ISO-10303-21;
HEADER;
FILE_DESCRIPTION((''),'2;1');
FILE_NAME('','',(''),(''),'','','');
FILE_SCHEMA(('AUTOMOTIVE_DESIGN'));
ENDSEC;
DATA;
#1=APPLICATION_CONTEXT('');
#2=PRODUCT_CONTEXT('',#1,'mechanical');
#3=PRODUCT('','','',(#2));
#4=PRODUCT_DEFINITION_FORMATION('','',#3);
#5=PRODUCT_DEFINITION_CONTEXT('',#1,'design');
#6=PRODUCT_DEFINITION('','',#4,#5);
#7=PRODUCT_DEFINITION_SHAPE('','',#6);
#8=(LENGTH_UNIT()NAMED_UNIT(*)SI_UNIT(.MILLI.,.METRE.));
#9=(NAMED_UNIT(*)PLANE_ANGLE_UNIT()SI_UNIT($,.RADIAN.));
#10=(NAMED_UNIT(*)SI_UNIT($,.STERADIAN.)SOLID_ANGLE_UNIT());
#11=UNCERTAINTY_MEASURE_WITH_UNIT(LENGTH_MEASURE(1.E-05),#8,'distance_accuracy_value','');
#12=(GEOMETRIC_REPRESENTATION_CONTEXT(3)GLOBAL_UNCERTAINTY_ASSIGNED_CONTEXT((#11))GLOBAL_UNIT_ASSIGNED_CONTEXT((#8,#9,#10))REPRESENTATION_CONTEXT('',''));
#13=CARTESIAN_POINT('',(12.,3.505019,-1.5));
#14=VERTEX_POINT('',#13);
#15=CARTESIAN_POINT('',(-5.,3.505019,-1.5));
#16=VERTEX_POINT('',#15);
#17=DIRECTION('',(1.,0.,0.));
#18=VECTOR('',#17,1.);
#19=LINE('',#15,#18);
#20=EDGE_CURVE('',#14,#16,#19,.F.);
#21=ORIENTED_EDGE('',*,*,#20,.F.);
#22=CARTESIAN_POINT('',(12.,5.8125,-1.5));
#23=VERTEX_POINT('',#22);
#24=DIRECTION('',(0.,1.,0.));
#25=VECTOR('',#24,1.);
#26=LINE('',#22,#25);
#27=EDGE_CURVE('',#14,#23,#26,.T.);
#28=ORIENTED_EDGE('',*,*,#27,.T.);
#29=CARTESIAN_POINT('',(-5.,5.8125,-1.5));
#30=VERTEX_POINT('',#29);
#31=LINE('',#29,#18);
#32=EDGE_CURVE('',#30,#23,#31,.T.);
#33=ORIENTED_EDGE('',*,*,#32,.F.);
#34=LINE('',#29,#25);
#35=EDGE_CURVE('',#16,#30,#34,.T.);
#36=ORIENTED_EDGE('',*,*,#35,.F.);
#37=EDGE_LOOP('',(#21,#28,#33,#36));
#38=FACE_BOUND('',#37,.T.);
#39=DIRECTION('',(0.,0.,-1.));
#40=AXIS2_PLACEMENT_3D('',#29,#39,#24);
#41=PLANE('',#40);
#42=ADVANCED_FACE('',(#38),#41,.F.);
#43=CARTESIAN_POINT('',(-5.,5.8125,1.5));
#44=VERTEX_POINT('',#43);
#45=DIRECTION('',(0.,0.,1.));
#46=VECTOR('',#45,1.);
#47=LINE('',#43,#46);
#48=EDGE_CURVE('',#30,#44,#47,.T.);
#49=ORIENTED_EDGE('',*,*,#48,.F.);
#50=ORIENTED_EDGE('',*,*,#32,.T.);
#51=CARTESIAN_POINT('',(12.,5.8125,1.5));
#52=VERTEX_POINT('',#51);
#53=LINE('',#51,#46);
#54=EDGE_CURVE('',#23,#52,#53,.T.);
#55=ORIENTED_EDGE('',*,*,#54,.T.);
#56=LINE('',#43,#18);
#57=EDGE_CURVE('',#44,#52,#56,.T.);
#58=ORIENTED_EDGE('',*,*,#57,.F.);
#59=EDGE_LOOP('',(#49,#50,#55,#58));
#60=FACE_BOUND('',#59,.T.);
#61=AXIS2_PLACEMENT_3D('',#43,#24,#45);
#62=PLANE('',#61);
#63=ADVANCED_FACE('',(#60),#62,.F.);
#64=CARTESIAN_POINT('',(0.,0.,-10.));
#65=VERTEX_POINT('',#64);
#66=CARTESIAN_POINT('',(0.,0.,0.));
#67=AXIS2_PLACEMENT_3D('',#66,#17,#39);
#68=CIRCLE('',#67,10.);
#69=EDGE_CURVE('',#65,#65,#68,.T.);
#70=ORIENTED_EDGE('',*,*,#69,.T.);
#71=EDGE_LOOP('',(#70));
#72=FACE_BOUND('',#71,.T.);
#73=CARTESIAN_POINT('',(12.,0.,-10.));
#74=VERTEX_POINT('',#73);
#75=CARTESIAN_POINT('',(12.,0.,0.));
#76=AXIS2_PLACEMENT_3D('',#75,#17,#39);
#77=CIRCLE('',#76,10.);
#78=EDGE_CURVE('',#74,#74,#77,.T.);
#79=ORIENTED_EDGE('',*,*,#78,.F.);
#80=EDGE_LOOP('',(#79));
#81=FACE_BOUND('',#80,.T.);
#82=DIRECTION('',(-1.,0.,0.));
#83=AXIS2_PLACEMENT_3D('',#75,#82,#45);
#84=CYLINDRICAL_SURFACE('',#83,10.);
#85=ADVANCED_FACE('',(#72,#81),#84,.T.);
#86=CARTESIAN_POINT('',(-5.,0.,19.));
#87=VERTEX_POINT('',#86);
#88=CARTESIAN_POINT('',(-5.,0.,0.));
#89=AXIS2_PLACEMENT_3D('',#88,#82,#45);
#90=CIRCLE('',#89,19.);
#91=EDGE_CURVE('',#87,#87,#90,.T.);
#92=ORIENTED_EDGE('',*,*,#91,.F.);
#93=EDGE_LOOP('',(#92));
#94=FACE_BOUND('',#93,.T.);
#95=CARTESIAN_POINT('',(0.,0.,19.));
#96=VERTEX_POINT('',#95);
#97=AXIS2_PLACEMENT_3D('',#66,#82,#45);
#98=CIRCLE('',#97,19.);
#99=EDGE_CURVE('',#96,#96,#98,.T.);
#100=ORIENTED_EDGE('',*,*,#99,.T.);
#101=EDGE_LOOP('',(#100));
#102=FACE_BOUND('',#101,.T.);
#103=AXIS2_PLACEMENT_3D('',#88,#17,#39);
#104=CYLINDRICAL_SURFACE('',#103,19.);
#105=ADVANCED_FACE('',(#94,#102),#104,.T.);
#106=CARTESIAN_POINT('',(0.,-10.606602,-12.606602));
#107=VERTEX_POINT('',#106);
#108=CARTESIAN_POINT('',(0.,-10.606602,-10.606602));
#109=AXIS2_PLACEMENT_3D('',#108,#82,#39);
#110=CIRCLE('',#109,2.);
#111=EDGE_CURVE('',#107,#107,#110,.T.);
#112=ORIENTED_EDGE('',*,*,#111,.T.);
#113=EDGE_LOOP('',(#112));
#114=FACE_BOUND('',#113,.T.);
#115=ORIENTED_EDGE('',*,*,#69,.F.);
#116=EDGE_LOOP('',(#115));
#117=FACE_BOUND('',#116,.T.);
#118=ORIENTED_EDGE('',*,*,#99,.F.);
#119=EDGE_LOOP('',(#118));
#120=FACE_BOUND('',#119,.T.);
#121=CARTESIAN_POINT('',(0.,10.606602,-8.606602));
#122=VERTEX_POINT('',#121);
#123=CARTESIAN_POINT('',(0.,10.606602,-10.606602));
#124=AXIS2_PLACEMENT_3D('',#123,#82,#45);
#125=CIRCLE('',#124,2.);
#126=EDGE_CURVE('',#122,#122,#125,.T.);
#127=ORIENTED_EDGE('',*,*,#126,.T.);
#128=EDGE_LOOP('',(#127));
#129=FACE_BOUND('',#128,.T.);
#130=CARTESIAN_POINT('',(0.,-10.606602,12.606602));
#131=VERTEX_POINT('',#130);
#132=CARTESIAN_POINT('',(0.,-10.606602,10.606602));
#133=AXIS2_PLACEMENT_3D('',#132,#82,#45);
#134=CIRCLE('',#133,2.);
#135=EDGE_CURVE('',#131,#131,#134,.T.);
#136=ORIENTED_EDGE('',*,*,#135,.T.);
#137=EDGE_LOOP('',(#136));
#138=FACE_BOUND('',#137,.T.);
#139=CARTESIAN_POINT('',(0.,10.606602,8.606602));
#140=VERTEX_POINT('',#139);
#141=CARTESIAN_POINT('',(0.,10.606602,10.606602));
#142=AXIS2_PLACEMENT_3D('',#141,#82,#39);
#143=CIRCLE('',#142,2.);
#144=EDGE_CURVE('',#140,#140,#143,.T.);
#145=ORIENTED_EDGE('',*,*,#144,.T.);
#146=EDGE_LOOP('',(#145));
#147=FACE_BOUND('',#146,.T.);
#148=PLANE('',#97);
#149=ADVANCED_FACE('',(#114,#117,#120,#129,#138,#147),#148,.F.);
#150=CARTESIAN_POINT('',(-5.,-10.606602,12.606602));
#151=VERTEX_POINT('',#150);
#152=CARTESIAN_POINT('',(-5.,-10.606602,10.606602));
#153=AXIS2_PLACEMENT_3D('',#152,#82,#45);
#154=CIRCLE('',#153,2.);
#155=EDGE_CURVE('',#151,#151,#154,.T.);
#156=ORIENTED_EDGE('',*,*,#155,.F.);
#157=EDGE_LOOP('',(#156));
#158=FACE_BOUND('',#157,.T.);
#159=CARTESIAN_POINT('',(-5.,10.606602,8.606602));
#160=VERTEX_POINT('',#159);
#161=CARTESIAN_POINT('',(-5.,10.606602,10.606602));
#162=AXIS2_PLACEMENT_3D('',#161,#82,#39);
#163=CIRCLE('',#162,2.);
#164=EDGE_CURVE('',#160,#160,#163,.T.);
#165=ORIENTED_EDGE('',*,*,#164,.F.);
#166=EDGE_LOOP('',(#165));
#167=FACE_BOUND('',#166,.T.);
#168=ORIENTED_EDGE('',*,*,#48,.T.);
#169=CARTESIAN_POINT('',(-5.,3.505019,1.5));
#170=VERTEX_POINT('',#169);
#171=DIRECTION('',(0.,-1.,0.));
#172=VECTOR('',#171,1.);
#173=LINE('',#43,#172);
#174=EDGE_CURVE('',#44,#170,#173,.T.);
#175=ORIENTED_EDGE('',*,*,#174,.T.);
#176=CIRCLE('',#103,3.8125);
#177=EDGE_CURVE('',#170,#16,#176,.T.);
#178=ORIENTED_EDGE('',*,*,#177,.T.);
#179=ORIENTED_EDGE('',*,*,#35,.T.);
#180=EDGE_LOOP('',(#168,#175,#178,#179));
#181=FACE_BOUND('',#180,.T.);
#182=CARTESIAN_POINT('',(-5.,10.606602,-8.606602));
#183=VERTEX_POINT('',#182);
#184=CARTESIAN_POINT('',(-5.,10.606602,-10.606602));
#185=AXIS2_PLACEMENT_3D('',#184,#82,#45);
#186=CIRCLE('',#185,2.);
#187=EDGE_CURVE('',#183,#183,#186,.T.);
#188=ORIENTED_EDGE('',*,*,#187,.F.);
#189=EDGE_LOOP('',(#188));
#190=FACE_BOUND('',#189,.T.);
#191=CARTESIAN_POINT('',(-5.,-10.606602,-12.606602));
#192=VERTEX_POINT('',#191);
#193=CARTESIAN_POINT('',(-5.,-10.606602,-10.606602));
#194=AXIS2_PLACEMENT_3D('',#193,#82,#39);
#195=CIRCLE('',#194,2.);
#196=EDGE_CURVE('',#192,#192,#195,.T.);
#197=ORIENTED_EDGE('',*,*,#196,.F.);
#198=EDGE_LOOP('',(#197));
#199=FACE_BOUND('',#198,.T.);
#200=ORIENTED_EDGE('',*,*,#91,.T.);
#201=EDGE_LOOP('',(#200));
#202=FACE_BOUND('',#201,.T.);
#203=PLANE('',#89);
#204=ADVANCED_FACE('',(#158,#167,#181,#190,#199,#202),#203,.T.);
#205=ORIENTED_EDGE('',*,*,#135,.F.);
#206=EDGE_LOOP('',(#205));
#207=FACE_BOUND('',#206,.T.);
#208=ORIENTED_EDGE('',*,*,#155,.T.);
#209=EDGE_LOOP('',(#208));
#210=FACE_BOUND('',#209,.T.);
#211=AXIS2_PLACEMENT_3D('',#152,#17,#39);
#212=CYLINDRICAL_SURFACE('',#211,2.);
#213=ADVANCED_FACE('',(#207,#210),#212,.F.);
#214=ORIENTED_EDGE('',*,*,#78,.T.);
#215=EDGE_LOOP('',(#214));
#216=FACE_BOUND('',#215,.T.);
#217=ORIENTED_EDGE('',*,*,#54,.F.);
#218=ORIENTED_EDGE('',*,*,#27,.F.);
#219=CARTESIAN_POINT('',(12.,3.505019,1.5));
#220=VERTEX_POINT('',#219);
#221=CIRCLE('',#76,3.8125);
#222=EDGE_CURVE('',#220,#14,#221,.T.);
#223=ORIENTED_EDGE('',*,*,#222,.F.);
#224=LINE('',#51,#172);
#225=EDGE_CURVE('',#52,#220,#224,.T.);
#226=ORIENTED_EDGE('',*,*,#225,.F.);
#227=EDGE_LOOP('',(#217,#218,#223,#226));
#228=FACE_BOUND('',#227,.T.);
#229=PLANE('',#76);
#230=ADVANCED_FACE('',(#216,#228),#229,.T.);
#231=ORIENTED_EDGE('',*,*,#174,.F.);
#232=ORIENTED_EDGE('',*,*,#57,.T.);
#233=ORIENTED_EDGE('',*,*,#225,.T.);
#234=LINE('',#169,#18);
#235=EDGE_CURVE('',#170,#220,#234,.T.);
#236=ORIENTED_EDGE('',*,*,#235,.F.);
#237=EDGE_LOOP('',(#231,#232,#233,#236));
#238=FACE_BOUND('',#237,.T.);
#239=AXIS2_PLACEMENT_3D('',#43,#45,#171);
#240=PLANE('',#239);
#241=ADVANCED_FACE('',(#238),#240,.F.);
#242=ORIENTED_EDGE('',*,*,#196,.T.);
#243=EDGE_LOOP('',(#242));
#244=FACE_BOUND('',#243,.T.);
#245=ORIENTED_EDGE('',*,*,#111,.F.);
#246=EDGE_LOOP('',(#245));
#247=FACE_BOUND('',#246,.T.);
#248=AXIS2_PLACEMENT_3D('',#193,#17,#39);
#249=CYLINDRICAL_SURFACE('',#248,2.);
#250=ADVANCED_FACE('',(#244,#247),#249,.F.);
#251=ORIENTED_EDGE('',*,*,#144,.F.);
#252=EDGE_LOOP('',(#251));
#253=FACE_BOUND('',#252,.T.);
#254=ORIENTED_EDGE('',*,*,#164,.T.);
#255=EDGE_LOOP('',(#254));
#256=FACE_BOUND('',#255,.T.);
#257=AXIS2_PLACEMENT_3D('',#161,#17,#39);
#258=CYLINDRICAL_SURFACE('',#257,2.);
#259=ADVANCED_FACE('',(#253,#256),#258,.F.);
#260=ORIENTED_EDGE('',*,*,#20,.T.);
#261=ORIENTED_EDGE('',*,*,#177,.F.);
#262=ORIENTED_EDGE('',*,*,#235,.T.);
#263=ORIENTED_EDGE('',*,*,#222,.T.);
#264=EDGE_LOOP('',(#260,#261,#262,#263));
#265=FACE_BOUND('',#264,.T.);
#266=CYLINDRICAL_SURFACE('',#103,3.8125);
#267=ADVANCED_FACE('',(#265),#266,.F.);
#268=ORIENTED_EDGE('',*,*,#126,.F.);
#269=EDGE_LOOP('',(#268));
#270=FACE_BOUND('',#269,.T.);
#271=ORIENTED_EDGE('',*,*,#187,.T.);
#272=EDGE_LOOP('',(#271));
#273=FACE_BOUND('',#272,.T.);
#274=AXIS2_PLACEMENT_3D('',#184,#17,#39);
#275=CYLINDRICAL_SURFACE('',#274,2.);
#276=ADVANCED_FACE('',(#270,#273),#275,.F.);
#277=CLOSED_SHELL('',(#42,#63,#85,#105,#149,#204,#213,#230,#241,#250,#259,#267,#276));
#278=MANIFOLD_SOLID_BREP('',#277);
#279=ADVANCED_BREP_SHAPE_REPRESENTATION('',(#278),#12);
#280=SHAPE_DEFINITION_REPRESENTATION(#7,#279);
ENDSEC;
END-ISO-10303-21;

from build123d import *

# Parameters (mm, degrees)
SKETCH1_R        = 10
SMALLRING_DEPTH  = 12
SKETCH4_R        = 19
SKETCH4_R_2      = 2
BIGRING_DEPTH    = 5
SKETCH42_R       = 3.8125
SHAFT_HOLE_DEPTH = 17
SKETCH43_W       = 3
SKETCH43_H       = 4
KEYWAY_DEPTH     = 17


with BuildPart() as part:
    # Sketch1 → SmallRing (new body)
    with BuildSketch(Plane(origin=(0, 0, 0), x_dir=(0, 0, -1), z_dir=(1, 0, 0))):
        Circle(SKETCH1_R)
    extrude(amount=SMALLRING_DEPTH)

    # Sketch4 → BigRing (add)
    with BuildSketch(Plane.ZY):
        Circle(SKETCH4_R)
        with Locations((-10.606601718, 10.606601718)):
            Circle(SKETCH4_R_2, mode=Mode.SUBTRACT)
        with Locations((10.606601718, 10.606601718)):
            Circle(SKETCH4_R_2, mode=Mode.SUBTRACT)
        with Locations((10.606601718, -10.606601718)):
            Circle(SKETCH4_R_2, mode=Mode.SUBTRACT)
        with Locations((-10.606601718, -10.606601718)):
            Circle(SKETCH4_R_2, mode=Mode.SUBTRACT)
    extrude(amount=BIGRING_DEPTH)

    # Sketch42 → Shaft Hole (cut)
    with BuildSketch(Plane(origin=(12, 0, 0), x_dir=(0, 0, -1), z_dir=(1, 0, 0))):
        Circle(SKETCH42_R)
    extrude(amount=-SHAFT_HOLE_DEPTH, mode=Mode.SUBTRACT)

    # Sketch43 → KeyWay (cut)
    with BuildSketch(Plane(origin=(12, 0, 0), x_dir=(0, 0, -1), z_dir=(1, 0, 0))):
        with Locations((0, 3.8125)):
            Rectangle(SKETCH43_W, SKETCH43_H)
    extrude(amount=-KEYWAY_DEPTH, mode=Mode.SUBTRACT)


solid = part.part
